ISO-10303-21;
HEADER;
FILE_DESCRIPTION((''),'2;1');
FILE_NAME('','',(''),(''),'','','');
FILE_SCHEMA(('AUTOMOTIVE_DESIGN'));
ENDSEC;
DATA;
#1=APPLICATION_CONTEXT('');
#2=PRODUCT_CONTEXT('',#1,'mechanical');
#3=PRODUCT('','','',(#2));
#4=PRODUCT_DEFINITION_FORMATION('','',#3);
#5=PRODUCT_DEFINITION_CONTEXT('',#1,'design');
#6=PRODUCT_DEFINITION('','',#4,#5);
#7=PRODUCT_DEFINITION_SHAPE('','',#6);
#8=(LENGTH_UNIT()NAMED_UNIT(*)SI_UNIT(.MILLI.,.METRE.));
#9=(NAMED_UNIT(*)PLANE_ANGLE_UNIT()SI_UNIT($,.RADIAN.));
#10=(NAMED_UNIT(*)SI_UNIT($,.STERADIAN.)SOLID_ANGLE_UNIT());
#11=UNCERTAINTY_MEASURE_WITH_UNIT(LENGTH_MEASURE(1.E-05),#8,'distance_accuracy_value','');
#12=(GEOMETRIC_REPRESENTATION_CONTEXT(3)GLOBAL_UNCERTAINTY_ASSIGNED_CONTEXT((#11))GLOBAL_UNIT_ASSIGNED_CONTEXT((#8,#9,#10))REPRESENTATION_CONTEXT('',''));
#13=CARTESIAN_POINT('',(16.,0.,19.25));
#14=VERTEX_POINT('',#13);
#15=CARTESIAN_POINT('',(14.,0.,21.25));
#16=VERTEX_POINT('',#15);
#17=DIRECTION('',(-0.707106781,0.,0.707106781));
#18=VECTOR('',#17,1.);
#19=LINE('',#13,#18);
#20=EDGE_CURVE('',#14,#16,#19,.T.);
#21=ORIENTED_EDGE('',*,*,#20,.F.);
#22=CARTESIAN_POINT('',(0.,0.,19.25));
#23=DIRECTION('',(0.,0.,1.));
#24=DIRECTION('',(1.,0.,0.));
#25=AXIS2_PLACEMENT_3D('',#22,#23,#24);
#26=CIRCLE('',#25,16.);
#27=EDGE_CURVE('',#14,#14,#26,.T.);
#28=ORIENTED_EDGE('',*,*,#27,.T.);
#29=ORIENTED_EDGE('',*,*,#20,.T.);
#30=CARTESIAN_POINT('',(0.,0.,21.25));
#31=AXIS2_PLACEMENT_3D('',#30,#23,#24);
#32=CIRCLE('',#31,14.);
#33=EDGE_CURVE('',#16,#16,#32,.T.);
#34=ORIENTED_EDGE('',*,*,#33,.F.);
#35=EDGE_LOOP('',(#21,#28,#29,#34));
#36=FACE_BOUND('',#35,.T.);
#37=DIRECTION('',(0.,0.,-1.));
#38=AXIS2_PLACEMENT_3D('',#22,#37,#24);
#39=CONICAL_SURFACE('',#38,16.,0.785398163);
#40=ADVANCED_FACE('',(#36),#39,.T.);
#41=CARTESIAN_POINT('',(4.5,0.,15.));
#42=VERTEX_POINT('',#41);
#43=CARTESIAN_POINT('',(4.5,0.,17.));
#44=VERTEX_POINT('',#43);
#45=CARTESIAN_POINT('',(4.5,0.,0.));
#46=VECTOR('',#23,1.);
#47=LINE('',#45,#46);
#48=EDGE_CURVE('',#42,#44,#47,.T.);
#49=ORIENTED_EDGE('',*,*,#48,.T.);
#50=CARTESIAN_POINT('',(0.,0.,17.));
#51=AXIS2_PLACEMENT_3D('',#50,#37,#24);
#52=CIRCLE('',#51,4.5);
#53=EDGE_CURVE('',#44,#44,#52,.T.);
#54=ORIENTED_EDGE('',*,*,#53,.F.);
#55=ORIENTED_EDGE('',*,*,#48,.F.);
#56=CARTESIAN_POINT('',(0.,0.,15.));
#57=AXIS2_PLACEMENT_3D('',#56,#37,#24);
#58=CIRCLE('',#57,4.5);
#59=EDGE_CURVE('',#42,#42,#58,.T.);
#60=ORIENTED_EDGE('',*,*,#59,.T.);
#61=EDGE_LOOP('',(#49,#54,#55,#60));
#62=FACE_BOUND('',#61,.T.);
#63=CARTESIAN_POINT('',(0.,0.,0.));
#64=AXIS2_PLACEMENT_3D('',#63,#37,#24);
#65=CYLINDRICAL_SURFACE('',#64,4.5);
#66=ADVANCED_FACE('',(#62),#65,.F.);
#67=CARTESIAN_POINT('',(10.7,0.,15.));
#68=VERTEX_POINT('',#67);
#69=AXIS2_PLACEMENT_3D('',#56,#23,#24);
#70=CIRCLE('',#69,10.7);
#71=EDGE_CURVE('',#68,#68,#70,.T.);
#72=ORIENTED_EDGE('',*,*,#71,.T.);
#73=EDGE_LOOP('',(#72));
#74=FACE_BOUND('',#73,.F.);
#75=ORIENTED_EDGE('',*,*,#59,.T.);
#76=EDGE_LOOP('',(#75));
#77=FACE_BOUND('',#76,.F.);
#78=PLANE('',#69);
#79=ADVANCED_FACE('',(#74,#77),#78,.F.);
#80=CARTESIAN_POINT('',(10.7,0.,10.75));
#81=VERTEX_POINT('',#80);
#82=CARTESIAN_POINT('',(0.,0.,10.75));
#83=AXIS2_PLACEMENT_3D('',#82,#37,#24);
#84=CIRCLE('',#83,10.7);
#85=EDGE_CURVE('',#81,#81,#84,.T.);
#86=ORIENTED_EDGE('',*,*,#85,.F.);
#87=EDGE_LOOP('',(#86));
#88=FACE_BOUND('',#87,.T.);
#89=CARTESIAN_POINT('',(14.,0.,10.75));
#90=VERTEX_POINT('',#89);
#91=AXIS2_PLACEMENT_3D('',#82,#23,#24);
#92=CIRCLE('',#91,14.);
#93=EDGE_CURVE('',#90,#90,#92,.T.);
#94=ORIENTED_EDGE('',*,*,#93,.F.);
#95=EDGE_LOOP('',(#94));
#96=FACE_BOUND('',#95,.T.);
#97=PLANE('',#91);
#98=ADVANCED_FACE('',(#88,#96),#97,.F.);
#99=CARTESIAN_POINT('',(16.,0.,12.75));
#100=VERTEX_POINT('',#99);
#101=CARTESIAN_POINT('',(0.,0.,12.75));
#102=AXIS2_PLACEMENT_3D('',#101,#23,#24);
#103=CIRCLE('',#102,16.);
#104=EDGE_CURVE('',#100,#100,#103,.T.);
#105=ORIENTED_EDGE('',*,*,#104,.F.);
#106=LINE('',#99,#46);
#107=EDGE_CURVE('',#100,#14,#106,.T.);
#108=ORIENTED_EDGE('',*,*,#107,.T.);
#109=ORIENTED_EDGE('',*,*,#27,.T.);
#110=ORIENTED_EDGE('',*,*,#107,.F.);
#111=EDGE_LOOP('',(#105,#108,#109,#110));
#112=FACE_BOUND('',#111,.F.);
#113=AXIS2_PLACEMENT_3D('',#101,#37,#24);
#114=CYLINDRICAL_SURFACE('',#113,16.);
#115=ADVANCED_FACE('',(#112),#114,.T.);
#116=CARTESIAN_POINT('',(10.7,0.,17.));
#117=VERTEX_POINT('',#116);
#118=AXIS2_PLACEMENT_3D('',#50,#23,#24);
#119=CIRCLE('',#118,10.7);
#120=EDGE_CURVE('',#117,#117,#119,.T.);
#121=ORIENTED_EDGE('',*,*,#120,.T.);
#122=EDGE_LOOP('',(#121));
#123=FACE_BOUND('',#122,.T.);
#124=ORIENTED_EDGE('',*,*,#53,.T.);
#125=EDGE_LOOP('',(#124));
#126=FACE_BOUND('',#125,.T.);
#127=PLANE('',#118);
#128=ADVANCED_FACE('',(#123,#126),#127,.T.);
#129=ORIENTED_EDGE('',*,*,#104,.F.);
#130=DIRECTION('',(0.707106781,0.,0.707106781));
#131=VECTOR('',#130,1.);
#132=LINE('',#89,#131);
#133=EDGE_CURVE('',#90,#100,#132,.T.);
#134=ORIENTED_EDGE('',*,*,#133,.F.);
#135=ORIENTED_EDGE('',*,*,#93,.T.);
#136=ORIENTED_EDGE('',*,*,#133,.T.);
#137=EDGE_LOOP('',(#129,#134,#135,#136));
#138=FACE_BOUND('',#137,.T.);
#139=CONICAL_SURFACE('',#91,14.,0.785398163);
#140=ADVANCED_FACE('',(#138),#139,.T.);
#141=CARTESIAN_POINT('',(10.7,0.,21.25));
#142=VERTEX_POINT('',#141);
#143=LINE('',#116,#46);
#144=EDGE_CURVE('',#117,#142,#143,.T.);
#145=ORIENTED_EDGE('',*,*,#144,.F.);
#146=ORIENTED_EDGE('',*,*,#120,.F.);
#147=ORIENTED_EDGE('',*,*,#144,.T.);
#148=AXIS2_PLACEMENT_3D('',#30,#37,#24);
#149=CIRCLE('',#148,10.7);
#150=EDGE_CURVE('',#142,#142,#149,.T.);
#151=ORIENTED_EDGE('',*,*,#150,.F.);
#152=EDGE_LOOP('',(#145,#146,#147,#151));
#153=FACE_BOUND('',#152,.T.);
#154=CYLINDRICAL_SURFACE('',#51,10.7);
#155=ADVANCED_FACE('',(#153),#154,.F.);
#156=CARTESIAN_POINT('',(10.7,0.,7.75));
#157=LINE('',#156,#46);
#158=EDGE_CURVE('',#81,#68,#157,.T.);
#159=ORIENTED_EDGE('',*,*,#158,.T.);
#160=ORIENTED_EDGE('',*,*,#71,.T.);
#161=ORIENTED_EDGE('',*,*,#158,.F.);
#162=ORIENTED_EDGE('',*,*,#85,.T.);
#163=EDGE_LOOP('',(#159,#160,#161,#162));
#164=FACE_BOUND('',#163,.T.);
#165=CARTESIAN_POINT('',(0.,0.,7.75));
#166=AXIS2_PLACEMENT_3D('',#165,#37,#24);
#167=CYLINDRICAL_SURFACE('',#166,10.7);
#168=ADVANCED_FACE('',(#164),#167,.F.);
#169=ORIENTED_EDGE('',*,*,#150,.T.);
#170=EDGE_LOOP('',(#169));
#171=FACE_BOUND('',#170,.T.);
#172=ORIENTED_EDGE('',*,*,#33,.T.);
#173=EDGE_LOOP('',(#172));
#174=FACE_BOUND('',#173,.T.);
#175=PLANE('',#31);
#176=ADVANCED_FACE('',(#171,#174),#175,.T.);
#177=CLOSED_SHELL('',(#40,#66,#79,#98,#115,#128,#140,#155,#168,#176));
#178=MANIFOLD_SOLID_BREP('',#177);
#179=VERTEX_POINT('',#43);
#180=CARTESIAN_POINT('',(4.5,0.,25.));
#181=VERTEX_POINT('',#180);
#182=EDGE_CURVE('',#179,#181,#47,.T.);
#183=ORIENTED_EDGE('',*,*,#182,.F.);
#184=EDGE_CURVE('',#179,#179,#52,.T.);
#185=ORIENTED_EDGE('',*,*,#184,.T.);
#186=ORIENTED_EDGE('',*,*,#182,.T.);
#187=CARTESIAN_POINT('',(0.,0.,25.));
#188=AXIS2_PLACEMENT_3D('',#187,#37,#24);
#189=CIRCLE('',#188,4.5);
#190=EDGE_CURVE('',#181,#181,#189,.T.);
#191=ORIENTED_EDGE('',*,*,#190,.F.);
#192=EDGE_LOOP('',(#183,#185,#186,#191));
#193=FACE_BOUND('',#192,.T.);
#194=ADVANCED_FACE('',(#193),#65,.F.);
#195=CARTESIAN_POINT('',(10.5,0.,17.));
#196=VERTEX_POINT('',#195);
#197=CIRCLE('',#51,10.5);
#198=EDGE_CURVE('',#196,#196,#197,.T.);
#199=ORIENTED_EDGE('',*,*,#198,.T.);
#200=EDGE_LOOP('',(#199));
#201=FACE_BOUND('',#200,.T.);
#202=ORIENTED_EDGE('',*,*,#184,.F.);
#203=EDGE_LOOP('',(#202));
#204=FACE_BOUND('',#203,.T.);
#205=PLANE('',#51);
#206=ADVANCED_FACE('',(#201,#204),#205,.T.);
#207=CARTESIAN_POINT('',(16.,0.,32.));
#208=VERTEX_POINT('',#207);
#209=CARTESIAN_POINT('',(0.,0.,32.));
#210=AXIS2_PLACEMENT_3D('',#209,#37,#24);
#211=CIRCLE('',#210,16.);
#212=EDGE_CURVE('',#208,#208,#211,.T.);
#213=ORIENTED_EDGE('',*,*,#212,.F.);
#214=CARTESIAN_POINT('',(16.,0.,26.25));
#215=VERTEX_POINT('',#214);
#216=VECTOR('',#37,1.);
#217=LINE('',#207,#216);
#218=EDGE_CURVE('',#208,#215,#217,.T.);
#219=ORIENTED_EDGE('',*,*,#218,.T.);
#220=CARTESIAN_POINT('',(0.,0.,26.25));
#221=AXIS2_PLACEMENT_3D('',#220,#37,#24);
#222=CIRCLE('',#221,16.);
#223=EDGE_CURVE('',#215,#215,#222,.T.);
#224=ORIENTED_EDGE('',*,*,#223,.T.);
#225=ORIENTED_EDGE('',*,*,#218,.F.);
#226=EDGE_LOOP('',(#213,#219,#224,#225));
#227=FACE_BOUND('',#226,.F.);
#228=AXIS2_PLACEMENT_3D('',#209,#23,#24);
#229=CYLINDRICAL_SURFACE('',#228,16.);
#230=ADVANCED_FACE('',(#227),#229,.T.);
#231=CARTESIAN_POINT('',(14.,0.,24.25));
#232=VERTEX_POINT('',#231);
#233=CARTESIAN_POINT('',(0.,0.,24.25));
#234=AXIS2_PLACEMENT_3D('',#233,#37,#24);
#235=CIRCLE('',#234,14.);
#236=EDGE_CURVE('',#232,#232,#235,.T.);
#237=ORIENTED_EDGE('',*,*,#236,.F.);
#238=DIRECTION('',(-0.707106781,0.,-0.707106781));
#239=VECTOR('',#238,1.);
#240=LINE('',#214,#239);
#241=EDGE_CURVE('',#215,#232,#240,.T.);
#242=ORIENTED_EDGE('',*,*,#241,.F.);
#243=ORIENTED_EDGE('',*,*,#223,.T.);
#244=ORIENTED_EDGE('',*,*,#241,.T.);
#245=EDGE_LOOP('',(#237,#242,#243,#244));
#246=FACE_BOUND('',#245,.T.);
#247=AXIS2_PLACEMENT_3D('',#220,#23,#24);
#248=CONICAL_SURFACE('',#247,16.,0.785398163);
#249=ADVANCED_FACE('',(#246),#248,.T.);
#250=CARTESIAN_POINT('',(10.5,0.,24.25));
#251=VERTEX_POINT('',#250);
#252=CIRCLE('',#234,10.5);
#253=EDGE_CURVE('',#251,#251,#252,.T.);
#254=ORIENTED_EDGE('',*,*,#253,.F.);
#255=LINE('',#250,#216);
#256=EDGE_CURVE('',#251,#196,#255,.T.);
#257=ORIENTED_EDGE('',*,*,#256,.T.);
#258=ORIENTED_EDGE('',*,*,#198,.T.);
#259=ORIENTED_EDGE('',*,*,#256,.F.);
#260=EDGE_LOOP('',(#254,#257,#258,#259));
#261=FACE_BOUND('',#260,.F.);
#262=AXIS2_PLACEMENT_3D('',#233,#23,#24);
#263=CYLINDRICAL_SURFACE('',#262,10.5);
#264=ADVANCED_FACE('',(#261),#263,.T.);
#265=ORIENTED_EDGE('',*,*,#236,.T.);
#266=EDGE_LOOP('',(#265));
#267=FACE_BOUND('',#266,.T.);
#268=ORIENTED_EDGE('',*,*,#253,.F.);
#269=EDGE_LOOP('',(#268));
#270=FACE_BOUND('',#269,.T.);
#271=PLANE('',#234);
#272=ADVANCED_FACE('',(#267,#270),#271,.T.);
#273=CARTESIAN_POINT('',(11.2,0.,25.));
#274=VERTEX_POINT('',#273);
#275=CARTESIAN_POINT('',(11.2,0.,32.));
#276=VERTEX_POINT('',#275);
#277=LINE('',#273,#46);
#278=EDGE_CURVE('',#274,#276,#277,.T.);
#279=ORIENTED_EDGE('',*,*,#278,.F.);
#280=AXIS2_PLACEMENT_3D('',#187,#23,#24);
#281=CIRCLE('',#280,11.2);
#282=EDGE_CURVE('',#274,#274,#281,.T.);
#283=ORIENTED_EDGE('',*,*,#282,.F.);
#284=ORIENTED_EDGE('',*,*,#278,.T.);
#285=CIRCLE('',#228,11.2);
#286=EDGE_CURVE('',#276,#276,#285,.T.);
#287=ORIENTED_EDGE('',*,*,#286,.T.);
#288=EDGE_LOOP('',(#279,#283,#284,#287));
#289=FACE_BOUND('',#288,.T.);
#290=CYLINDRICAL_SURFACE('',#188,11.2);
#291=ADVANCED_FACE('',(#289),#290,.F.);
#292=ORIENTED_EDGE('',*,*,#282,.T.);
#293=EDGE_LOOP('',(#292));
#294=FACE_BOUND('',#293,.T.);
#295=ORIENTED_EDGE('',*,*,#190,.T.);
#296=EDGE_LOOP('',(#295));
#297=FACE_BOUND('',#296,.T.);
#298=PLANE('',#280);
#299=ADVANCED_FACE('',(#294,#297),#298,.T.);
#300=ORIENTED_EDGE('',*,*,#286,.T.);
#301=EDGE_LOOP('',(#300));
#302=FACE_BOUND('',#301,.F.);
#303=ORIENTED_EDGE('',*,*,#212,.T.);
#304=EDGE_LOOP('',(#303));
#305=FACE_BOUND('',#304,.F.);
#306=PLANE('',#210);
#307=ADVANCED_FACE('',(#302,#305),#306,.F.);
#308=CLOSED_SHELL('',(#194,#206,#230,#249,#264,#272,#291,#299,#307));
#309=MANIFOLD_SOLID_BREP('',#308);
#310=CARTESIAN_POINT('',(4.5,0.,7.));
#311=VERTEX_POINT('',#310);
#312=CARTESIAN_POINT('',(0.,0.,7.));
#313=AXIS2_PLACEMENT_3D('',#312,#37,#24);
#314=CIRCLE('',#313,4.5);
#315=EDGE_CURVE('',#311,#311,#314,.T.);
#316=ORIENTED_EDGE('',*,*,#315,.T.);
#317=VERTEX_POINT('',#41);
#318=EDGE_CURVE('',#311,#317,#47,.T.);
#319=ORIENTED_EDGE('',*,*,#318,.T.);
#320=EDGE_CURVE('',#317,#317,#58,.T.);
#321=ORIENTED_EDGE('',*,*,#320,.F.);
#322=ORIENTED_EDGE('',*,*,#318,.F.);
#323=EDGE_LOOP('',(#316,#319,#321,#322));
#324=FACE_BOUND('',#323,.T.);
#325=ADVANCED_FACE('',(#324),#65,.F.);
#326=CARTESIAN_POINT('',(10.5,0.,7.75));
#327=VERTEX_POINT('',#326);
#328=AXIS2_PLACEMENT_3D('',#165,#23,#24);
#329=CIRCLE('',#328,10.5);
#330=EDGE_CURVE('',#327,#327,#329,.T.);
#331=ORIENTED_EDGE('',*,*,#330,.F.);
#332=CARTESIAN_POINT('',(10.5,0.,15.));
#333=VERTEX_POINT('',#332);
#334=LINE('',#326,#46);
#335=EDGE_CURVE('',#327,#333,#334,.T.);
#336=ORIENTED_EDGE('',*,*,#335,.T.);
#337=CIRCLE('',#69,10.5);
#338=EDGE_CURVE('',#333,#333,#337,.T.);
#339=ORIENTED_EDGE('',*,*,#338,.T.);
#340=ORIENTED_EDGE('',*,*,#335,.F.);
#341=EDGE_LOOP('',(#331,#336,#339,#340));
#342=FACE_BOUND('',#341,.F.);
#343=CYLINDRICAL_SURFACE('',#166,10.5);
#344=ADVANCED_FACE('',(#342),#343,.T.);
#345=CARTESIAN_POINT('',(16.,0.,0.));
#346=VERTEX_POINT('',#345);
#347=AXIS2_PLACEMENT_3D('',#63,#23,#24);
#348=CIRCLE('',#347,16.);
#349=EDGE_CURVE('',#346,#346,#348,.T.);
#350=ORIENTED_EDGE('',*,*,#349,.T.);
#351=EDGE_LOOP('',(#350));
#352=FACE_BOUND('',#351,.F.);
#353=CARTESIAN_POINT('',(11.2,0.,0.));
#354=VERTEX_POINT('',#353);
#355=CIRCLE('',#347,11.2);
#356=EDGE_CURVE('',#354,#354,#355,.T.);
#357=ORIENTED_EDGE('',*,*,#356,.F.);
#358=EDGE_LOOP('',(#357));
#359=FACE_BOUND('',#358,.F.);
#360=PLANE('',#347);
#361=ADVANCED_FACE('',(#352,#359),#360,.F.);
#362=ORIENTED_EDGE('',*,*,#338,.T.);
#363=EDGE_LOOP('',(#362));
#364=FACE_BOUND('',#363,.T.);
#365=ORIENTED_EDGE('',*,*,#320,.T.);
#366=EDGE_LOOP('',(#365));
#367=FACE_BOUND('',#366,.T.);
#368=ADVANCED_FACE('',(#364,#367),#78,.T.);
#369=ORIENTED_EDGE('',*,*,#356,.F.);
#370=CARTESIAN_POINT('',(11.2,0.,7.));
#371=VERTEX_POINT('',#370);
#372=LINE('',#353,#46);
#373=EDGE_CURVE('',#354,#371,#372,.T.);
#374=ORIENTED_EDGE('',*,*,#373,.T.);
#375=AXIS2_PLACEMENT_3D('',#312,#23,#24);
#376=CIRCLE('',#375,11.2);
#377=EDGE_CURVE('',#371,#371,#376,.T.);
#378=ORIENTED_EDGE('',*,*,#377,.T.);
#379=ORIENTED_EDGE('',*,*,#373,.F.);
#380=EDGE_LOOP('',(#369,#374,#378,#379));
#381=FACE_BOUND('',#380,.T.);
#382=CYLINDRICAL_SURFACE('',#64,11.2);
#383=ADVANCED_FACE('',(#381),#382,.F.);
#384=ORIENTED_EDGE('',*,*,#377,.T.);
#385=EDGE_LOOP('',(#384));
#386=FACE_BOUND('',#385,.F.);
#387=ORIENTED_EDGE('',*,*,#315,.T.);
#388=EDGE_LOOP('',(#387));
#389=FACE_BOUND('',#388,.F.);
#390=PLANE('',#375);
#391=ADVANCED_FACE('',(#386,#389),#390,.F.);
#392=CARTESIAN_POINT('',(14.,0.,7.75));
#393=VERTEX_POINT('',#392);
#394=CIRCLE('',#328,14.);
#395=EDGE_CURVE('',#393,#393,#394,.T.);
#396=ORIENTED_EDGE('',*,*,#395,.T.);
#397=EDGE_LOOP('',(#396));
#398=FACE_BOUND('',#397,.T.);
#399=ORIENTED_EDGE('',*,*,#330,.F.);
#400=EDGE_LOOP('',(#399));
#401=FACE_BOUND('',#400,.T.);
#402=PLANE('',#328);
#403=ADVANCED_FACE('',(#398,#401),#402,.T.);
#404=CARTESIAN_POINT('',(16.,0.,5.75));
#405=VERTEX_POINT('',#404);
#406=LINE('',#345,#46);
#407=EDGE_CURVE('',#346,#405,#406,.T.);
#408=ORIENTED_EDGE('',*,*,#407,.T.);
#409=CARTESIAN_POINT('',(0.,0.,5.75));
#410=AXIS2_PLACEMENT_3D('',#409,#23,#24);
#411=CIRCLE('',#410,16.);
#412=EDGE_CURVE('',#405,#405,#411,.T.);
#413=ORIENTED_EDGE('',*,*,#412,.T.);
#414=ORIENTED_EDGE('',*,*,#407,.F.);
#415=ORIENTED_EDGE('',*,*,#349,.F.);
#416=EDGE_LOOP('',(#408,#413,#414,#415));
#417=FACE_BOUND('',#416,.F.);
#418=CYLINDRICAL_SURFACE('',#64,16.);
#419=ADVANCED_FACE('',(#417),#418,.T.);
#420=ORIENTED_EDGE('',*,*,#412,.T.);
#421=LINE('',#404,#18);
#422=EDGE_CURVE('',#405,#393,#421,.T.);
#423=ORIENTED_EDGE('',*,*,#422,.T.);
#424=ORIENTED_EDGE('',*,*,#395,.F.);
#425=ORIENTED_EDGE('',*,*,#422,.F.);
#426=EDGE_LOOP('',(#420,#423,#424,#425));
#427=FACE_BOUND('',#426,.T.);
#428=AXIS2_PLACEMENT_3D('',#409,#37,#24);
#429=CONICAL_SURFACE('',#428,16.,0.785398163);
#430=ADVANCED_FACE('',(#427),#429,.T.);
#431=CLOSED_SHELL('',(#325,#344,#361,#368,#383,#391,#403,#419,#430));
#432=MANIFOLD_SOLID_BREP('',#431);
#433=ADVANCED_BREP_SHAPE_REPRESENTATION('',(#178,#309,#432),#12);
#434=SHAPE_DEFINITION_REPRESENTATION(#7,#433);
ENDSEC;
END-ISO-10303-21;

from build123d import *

# Parameters (mm, degrees)
CYLINDER006_R             = 10.7
CYLINDER006_DEPTH         = 7.25
CYLINDER007_R             = 4.5
CYLINDER007_DEPTH         = 32
CYLINDER005_R             = 10.7
CYLINDER005_DEPTH         = 7.25
CYLINDER004_R             = 16
CYLINDER004_DEPTH         = 6.5
CYLINDER010_R             = 11.2
CYLINDER010_DEPTH         = 7
CYLINDER009_R             = 4.5
CYLINDER009_DEPTH         = 32
CYLINDER001_R             = 10.5
CYLINDER001_DEPTH         = 7.25
CYLINDER_R                = 16
CYLINDER_DEPTH            = 5.75
CYLINDER011_R             = 11.2
CYLINDER011_DEPTH         = 7
CYLINDER008_R             = 4.5
CYLINDER008_DEPTH         = 32
CYLINDER003_R             = 10.5
CYLINDER003_DEPTH         = 7.25
CYLINDER002_R             = 16
CYLINDER002_DEPTH         = 5.75
FUSION001_PLACEMENT_ANGLE = 180


with BuildPart() as cylinder006:
    # Cylinder006 → Cylinder006 (new body)
    with BuildSketch(Plane.XY.offset(7.75)):
        Circle(CYLINDER006_R)
    extrude(amount=CYLINDER006_DEPTH)


with BuildPart() as cylinder007:
    # Cylinder007 → Cylinder007 (new body)
    with BuildSketch(Plane.XY):
        Circle(CYLINDER007_R)
    extrude(amount=CYLINDER007_DEPTH)


with BuildPart() as fusion003:
    # Cylinder005 → Cylinder005 (new body)
    with BuildSketch(Plane.XY.offset(17)):
        Circle(CYLINDER005_R)
    extrude(amount=CYLINDER005_DEPTH)

    # Fusion003: union Cylinder006, Cylinder007
    add(cylinder006.part)
    add(cylinder007.part)


with BuildPart() as cone002:
    # Cone002 → Cone002 (revolve)
    with BuildSketch(Plane(origin=(0, 0, 8.5), x_dir=(1, 0, 0), z_dir=(0, -1, 0))):
        Polygon((0, 0), (16, 0), (14, 2), (0, 2), align=None)
    revolve(axis=Axis((0, 0, 8.5), (0, 0, 1)))


with BuildPart() as cone003:
    # Cone003 → Cone003 (revolve)
    with BuildSketch(Plane.XZ):
        Polygon((0, 0), (14, 0), (16, 2), (0, 2), align=None)
    revolve(axis=Axis((0, 0, 0), (0, 0, 1)))


with BuildPart() as cut:
    # Cylinder004 → Cylinder004 (new body)
    with BuildSketch(Plane.XY.offset(2)):
        Circle(CYLINDER004_R)
    extrude(amount=CYLINDER004_DEPTH)

    # Fusion002: union Cone002, Cone003
    add(cone002.part)
    add(cone003.part)


with BuildPart() as cut_1:
    # Fusion002 placement: moved
    add(cut.part.moved(Location((0, 0, 10.75))))

    # Cut: cut Fusion003
    add(fusion003.part, mode=Mode.SUBTRACT)


with BuildPart() as cylinder010:
    # Cylinder010 → Cylinder010 (new body)
    with BuildSketch(Plane.XY):
        Circle(CYLINDER010_R)
    extrude(amount=CYLINDER010_DEPTH)


with BuildPart() as cylinder009:
    # Cylinder009 → Cylinder009 (new body)
    with BuildSketch(Plane.XY):
        Circle(CYLINDER009_R)
    extrude(amount=CYLINDER009_DEPTH)


with BuildPart() as cone:
    # Cone → Cone (revolve)
    with BuildSketch(Plane(origin=(0, 0, 5.75), x_dir=(1, 0, 0), z_dir=(0, -1, 0))):
        Polygon((0, 0), (16, 0), (14, 2), (0, 2), align=None)
    revolve(axis=Axis((0, 0, 5.75), (0, 0, 1)))


with BuildPart() as cylinder001:
    # Cylinder001 → Cylinder001 (new body)
    with BuildSketch(Plane.XY.offset(7.75)):
        Circle(CYLINDER001_R)
    extrude(amount=CYLINDER001_DEPTH)


with BuildPart() as cut003:
    # Cylinder → Cylinder (new body)
    with BuildSketch(Plane.XY):
        Circle(CYLINDER_R)
    extrude(amount=CYLINDER_DEPTH)

    # Fusion: union Cone, Cylinder001
    add(cone.part)
    add(cylinder001.part)

    # Cut002: cut Cylinder009
    add(cylinder009.part, mode=Mode.SUBTRACT)

    # Cut003: cut Cylinder010
    add(cylinder010.part, mode=Mode.SUBTRACT)


with BuildPart() as cylinder011:
    # Cylinder011 → Cylinder011 (new body)
    with BuildSketch(Plane.XY.offset(25)):
        Circle(CYLINDER011_R)
    extrude(amount=CYLINDER011_DEPTH)


with BuildPart() as cylinder008:
    # Cylinder008 → Cylinder008 (new body)
    with BuildSketch(Plane.XY):
        Circle(CYLINDER008_R)
    extrude(amount=CYLINDER008_DEPTH)


with BuildPart() as cone001:
    # Cone001 → Cone001 (revolve)
    with BuildSketch(Plane(origin=(0, 0, 5.75), x_dir=(1, 0, 0), z_dir=(0, -1, 0))):
        Polygon((0, 0), (16, 0), (14, 2), (0, 2), align=None)
    revolve(axis=Axis((0, 0, 5.75), (0, 0, 1)))


with BuildPart() as cylinder003:
    # Cylinder003 → Cylinder003 (new body)
    with BuildSketch(Plane.XY.offset(7.75)):
        Circle(CYLINDER003_R)
    extrude(amount=CYLINDER003_DEPTH)


with BuildPart() as cut004:
    # Cylinder002 → Cylinder002 (new body)
    with BuildSketch(Plane.XY):
        Circle(CYLINDER002_R)
    extrude(amount=CYLINDER002_DEPTH)

    # Fusion001: union Cone001, Cylinder003
    add(cone001.part)
    add(cylinder003.part)


with BuildPart() as cut004_1:
    # Fusion001 placement: moved
    add(cut004.part.moved(Location((0, 0, 32))).rotate(Axis((0, 0, 32), (1, 0, 0)), FUSION001_PLACEMENT_ANGLE))

    # Cut001: cut Cylinder008
    add(cylinder008.part, mode=Mode.SUBTRACT)

    # Cut004: cut Cylinder011
    add(cylinder011.part, mode=Mode.SUBTRACT)


solid = Compound([cut_1.part, cut003.part, cut004_1.part])
